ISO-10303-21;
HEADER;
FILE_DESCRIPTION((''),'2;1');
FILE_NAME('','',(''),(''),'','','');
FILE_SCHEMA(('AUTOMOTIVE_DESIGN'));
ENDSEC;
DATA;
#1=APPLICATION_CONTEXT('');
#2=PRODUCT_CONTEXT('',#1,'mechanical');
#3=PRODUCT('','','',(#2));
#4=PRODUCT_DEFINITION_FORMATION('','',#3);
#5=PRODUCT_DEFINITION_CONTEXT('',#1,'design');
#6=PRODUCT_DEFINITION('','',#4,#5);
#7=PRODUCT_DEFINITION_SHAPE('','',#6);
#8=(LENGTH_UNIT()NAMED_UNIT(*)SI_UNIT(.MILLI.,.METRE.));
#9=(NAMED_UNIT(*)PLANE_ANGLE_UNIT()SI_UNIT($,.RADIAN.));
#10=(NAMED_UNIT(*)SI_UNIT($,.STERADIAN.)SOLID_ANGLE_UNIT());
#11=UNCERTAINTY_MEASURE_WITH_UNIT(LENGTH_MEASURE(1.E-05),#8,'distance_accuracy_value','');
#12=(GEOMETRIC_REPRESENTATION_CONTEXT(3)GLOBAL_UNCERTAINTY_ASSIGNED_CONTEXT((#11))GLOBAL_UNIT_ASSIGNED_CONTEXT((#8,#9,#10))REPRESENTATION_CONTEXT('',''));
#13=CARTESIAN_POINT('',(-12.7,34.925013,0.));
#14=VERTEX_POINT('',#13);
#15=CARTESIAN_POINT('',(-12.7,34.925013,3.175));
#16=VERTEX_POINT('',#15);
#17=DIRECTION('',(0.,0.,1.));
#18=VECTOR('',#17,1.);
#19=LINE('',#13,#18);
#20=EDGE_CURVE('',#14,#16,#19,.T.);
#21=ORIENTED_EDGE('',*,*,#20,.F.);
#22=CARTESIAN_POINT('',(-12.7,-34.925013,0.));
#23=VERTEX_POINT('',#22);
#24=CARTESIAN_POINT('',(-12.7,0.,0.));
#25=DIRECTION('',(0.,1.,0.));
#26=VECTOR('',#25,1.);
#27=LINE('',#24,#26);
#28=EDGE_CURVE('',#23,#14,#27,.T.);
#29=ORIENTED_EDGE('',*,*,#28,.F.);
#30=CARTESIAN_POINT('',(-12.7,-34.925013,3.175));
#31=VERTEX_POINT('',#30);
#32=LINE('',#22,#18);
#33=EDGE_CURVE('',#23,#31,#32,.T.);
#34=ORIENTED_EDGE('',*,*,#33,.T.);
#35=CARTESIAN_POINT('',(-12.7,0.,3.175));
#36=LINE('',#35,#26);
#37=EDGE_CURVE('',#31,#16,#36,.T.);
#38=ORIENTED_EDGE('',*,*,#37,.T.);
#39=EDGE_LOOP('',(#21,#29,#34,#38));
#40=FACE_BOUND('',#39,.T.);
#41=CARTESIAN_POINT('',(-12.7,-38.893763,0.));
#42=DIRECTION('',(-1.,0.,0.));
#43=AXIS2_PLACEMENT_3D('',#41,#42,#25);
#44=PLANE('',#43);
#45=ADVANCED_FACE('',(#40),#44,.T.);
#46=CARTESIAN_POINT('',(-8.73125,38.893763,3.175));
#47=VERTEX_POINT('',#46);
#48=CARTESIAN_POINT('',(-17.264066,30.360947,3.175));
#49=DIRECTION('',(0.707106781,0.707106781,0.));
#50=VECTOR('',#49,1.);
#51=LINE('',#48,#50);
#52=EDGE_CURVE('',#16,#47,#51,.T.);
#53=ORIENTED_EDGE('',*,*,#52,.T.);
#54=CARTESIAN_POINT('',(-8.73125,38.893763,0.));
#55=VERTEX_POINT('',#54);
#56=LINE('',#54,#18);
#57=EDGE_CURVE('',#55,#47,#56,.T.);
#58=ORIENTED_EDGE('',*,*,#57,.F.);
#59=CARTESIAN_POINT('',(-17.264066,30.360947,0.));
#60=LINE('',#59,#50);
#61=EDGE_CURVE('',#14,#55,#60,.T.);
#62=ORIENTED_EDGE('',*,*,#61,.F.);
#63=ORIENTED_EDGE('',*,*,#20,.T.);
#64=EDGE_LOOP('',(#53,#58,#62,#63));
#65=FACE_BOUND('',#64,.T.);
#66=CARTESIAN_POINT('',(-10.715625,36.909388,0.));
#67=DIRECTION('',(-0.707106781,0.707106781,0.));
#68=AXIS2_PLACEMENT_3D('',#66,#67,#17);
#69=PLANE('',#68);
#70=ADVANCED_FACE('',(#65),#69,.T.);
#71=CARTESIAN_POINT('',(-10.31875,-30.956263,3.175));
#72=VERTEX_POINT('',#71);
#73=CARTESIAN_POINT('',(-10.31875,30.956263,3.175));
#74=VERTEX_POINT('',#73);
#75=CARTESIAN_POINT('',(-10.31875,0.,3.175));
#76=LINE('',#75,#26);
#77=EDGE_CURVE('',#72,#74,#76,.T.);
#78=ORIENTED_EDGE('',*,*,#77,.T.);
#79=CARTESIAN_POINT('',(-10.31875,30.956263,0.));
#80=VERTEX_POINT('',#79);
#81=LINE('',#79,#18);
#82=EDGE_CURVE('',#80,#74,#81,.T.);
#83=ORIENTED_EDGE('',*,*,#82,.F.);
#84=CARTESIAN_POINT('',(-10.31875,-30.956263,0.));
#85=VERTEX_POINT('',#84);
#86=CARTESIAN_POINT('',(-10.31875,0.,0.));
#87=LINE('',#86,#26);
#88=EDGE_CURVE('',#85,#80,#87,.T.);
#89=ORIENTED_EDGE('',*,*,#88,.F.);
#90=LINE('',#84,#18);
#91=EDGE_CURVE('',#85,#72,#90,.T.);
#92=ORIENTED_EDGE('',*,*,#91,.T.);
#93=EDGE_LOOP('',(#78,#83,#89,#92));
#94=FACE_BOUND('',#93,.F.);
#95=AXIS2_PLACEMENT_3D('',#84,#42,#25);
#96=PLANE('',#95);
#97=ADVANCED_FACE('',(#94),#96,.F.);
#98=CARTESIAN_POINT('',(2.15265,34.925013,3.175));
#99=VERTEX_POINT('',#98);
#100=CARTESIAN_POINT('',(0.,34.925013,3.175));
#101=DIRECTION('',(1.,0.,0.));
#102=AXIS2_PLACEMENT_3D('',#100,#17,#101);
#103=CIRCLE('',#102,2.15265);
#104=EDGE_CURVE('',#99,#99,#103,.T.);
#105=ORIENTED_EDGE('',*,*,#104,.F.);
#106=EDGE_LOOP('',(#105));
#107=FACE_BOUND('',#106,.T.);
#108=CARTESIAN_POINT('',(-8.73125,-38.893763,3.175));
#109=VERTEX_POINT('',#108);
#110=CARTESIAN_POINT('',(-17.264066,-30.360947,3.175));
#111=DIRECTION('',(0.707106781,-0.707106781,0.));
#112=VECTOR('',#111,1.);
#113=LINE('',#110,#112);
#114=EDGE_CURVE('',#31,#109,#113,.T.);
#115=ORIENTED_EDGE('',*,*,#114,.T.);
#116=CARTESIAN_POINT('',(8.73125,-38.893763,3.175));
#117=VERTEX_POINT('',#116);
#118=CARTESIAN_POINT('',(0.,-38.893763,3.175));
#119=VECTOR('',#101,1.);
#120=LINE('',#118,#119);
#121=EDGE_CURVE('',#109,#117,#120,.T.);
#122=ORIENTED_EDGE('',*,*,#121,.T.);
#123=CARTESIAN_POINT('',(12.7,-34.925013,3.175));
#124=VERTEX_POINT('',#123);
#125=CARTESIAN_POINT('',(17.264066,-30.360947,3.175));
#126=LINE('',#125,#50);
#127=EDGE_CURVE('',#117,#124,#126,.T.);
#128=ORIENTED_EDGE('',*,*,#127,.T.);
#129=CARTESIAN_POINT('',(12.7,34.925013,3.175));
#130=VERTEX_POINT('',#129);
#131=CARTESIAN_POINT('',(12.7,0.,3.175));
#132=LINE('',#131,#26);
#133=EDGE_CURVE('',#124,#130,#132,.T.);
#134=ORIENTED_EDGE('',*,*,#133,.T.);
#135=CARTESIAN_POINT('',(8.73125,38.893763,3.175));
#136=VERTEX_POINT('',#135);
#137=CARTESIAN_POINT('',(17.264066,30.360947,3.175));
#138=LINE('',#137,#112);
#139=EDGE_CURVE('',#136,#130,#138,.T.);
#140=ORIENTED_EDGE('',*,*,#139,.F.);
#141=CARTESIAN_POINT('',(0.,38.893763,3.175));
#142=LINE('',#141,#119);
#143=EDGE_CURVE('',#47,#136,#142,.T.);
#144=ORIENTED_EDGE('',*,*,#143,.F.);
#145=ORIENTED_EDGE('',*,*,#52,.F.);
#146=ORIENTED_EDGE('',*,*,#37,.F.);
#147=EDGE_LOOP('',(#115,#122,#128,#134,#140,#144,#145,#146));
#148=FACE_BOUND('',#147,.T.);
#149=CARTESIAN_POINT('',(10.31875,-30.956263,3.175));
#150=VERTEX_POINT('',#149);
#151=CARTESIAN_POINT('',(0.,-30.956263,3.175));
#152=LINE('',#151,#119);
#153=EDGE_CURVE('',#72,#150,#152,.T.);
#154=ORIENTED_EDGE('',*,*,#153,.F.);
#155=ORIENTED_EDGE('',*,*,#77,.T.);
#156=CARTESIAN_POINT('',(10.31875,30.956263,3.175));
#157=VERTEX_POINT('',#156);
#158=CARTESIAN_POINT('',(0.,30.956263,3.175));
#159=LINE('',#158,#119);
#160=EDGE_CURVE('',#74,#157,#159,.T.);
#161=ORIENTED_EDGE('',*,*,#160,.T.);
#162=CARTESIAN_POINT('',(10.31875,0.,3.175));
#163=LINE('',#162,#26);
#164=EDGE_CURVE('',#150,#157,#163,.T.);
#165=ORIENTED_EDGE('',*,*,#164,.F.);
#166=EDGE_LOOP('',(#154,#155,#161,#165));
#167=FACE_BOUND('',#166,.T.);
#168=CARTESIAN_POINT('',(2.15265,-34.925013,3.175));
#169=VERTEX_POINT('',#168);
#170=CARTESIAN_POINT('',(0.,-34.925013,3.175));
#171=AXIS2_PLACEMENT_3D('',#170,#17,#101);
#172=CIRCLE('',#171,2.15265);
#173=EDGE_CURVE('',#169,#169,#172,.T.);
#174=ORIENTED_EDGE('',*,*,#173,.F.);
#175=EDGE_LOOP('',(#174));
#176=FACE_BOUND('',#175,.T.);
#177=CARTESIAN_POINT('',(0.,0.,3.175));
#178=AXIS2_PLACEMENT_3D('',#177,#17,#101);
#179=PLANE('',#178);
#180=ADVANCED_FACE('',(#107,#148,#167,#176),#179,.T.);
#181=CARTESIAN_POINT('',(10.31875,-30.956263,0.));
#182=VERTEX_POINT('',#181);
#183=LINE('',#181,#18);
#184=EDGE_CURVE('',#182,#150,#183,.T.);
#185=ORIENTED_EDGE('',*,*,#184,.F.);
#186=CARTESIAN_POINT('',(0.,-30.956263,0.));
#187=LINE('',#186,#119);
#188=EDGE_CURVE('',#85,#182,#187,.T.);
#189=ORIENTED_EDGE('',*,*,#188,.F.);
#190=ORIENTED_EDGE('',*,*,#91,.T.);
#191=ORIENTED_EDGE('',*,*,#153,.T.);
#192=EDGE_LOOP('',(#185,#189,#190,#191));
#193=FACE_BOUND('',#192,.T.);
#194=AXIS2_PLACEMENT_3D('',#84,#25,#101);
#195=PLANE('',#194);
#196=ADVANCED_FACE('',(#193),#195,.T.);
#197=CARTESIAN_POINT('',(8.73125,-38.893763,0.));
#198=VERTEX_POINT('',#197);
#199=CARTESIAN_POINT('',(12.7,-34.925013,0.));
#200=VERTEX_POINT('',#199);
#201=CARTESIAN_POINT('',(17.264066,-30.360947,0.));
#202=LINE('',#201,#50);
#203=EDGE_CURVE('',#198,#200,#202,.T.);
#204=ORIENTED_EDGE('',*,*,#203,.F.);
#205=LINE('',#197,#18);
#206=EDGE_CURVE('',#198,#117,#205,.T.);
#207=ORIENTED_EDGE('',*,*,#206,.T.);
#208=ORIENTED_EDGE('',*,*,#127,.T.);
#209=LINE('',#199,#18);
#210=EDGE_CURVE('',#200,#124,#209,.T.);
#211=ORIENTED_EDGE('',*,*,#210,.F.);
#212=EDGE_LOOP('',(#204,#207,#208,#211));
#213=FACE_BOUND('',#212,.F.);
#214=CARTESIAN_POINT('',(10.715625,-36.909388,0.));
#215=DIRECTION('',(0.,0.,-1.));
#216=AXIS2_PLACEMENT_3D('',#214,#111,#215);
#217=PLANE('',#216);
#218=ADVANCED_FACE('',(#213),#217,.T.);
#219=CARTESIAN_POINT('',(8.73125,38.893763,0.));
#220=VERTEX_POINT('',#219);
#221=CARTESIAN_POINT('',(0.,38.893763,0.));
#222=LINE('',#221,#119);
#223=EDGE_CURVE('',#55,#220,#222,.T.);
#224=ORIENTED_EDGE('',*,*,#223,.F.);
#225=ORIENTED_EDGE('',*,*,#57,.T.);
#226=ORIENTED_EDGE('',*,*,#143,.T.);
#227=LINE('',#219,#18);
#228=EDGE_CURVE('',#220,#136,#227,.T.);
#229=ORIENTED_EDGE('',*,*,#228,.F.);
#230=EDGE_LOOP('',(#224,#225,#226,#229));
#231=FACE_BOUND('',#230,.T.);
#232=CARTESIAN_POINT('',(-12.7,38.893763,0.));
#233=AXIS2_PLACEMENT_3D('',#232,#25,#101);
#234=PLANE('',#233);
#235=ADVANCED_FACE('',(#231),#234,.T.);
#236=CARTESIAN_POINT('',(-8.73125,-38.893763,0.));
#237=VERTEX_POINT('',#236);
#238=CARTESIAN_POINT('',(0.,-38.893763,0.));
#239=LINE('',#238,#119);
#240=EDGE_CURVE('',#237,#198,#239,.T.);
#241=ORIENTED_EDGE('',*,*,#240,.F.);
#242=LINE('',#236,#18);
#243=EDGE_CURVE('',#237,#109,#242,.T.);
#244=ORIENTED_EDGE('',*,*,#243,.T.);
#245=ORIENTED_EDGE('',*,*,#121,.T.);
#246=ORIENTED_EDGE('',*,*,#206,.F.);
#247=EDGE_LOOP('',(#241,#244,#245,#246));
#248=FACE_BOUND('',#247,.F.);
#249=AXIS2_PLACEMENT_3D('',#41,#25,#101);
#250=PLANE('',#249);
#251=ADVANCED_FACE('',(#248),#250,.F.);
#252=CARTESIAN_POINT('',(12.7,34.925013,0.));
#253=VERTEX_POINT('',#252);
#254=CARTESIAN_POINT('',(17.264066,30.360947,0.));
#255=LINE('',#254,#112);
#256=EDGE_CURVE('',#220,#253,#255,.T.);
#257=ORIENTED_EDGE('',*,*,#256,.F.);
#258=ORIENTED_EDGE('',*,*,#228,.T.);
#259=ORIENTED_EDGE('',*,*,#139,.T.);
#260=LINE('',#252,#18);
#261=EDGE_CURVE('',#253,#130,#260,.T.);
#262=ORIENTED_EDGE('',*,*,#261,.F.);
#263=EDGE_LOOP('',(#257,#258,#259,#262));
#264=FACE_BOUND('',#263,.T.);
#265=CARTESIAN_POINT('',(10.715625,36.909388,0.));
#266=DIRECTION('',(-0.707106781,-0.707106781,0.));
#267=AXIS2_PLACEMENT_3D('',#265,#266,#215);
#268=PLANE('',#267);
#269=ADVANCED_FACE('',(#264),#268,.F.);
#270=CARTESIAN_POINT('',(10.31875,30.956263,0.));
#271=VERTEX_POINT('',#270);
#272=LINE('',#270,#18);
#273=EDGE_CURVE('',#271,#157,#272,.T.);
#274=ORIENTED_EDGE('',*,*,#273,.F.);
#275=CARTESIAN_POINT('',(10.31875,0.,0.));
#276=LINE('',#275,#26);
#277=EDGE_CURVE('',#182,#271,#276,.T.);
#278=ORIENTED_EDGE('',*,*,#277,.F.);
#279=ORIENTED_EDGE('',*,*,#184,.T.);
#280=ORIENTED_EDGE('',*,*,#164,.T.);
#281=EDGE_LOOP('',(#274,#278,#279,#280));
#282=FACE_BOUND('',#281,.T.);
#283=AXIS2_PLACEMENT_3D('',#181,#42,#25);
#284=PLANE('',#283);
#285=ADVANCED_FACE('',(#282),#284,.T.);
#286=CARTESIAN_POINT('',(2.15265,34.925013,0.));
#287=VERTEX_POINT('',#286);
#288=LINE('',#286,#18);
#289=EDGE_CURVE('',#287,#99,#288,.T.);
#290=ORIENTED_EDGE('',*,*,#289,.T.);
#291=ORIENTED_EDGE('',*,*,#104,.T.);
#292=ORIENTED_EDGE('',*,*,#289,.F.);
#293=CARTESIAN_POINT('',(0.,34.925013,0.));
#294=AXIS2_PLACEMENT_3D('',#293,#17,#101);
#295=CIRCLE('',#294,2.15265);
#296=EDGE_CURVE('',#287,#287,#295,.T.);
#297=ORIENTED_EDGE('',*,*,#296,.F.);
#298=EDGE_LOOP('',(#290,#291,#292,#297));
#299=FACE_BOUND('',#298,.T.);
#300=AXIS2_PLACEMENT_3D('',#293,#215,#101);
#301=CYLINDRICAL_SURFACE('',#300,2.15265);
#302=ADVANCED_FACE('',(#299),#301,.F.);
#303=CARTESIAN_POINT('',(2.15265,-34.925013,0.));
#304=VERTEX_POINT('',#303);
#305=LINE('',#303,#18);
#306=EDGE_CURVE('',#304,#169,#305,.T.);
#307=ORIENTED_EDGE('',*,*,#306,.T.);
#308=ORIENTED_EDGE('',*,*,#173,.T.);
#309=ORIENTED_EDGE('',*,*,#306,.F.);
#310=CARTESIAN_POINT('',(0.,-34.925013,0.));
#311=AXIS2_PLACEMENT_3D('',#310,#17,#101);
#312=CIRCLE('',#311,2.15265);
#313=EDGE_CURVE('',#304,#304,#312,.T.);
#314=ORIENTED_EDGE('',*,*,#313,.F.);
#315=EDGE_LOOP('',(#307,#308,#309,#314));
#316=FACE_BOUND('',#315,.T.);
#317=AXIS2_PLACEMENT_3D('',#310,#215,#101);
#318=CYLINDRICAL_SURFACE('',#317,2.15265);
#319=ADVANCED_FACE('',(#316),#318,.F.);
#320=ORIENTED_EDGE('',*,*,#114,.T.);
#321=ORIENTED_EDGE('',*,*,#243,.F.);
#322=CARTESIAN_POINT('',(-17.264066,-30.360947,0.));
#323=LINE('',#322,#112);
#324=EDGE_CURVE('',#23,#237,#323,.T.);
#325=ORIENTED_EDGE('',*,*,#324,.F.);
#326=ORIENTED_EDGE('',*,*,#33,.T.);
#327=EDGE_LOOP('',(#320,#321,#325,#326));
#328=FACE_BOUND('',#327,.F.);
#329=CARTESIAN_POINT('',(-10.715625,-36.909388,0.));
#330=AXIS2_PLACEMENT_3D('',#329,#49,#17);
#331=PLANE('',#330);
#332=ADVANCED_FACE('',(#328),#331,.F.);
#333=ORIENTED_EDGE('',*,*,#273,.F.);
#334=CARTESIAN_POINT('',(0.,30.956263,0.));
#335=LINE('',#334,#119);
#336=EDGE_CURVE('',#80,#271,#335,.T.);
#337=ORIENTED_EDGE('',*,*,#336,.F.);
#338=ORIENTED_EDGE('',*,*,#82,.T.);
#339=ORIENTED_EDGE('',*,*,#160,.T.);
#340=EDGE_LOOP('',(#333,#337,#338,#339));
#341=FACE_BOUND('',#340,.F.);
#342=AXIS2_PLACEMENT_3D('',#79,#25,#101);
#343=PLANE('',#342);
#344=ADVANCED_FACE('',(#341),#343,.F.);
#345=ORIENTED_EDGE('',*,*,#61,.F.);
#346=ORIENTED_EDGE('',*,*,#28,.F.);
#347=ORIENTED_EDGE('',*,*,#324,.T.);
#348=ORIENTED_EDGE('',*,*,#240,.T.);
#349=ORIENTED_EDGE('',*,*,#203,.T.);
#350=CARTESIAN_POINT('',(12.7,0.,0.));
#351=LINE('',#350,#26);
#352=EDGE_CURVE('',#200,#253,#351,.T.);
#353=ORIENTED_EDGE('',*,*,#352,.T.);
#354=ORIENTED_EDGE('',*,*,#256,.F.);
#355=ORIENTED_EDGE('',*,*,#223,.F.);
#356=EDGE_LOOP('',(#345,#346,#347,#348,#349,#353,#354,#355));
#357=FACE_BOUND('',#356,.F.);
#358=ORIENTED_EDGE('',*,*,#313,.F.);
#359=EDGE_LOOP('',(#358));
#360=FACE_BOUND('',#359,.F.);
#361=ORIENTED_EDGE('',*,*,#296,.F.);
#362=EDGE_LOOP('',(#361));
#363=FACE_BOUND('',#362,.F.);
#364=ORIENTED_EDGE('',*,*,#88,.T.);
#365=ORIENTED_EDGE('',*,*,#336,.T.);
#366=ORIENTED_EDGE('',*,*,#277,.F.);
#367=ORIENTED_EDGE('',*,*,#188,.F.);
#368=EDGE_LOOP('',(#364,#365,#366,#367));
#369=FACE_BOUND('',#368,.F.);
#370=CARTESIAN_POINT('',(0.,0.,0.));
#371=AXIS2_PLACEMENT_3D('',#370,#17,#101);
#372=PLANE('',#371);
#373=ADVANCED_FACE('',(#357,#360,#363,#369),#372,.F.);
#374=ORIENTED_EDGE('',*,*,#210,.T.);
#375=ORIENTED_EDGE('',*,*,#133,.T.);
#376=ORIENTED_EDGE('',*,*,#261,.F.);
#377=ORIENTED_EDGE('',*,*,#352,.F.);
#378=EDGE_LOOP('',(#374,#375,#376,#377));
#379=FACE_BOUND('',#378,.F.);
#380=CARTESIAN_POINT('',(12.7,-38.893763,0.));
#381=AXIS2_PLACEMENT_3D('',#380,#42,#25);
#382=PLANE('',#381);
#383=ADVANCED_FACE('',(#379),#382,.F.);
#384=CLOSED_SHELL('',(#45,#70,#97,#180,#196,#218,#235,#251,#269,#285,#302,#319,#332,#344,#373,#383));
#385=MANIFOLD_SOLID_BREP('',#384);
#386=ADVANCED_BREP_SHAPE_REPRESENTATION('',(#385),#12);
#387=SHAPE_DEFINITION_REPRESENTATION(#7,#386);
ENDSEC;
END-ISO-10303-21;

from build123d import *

# Parameters (mm, degrees)
F0_W     = 25.4
F0_H     = 77.787526
F0_R     = 2.15265
F0_W_2   = 20.6375
F0_H_2   = 61.912526
F1_DEPTH = 3.175
F2_SIZE  = 3.96875


with BuildPart() as f1:
    # F0 (on Top) → F1 (new body)
    with BuildSketch(Plane.XY):
        Rectangle(F0_W, F0_H)
        with Locations((0, -34.925013)):
            Circle(F0_R, mode=Mode.SUBTRACT)
        Rectangle(F0_W_2, F0_H_2, mode=Mode.SUBTRACT)
        with Locations((0, 34.925013)):
            Circle(F0_R, mode=Mode.SUBTRACT)
    extrude(amount=F1_DEPTH)

    # F2
    f2_edges = [f1.edges().sort_by_distance(p)[0] for p in [
        (-12.7, -38.893763, 1.5875),
        (12.7, -38.893763, 1.5875),
        (12.7, 38.893763, 1.5875),
        (-12.7, 38.893763, 1.5875),
    ]]
    chamfer(f2_edges, length=F2_SIZE)


solid = f1.part
